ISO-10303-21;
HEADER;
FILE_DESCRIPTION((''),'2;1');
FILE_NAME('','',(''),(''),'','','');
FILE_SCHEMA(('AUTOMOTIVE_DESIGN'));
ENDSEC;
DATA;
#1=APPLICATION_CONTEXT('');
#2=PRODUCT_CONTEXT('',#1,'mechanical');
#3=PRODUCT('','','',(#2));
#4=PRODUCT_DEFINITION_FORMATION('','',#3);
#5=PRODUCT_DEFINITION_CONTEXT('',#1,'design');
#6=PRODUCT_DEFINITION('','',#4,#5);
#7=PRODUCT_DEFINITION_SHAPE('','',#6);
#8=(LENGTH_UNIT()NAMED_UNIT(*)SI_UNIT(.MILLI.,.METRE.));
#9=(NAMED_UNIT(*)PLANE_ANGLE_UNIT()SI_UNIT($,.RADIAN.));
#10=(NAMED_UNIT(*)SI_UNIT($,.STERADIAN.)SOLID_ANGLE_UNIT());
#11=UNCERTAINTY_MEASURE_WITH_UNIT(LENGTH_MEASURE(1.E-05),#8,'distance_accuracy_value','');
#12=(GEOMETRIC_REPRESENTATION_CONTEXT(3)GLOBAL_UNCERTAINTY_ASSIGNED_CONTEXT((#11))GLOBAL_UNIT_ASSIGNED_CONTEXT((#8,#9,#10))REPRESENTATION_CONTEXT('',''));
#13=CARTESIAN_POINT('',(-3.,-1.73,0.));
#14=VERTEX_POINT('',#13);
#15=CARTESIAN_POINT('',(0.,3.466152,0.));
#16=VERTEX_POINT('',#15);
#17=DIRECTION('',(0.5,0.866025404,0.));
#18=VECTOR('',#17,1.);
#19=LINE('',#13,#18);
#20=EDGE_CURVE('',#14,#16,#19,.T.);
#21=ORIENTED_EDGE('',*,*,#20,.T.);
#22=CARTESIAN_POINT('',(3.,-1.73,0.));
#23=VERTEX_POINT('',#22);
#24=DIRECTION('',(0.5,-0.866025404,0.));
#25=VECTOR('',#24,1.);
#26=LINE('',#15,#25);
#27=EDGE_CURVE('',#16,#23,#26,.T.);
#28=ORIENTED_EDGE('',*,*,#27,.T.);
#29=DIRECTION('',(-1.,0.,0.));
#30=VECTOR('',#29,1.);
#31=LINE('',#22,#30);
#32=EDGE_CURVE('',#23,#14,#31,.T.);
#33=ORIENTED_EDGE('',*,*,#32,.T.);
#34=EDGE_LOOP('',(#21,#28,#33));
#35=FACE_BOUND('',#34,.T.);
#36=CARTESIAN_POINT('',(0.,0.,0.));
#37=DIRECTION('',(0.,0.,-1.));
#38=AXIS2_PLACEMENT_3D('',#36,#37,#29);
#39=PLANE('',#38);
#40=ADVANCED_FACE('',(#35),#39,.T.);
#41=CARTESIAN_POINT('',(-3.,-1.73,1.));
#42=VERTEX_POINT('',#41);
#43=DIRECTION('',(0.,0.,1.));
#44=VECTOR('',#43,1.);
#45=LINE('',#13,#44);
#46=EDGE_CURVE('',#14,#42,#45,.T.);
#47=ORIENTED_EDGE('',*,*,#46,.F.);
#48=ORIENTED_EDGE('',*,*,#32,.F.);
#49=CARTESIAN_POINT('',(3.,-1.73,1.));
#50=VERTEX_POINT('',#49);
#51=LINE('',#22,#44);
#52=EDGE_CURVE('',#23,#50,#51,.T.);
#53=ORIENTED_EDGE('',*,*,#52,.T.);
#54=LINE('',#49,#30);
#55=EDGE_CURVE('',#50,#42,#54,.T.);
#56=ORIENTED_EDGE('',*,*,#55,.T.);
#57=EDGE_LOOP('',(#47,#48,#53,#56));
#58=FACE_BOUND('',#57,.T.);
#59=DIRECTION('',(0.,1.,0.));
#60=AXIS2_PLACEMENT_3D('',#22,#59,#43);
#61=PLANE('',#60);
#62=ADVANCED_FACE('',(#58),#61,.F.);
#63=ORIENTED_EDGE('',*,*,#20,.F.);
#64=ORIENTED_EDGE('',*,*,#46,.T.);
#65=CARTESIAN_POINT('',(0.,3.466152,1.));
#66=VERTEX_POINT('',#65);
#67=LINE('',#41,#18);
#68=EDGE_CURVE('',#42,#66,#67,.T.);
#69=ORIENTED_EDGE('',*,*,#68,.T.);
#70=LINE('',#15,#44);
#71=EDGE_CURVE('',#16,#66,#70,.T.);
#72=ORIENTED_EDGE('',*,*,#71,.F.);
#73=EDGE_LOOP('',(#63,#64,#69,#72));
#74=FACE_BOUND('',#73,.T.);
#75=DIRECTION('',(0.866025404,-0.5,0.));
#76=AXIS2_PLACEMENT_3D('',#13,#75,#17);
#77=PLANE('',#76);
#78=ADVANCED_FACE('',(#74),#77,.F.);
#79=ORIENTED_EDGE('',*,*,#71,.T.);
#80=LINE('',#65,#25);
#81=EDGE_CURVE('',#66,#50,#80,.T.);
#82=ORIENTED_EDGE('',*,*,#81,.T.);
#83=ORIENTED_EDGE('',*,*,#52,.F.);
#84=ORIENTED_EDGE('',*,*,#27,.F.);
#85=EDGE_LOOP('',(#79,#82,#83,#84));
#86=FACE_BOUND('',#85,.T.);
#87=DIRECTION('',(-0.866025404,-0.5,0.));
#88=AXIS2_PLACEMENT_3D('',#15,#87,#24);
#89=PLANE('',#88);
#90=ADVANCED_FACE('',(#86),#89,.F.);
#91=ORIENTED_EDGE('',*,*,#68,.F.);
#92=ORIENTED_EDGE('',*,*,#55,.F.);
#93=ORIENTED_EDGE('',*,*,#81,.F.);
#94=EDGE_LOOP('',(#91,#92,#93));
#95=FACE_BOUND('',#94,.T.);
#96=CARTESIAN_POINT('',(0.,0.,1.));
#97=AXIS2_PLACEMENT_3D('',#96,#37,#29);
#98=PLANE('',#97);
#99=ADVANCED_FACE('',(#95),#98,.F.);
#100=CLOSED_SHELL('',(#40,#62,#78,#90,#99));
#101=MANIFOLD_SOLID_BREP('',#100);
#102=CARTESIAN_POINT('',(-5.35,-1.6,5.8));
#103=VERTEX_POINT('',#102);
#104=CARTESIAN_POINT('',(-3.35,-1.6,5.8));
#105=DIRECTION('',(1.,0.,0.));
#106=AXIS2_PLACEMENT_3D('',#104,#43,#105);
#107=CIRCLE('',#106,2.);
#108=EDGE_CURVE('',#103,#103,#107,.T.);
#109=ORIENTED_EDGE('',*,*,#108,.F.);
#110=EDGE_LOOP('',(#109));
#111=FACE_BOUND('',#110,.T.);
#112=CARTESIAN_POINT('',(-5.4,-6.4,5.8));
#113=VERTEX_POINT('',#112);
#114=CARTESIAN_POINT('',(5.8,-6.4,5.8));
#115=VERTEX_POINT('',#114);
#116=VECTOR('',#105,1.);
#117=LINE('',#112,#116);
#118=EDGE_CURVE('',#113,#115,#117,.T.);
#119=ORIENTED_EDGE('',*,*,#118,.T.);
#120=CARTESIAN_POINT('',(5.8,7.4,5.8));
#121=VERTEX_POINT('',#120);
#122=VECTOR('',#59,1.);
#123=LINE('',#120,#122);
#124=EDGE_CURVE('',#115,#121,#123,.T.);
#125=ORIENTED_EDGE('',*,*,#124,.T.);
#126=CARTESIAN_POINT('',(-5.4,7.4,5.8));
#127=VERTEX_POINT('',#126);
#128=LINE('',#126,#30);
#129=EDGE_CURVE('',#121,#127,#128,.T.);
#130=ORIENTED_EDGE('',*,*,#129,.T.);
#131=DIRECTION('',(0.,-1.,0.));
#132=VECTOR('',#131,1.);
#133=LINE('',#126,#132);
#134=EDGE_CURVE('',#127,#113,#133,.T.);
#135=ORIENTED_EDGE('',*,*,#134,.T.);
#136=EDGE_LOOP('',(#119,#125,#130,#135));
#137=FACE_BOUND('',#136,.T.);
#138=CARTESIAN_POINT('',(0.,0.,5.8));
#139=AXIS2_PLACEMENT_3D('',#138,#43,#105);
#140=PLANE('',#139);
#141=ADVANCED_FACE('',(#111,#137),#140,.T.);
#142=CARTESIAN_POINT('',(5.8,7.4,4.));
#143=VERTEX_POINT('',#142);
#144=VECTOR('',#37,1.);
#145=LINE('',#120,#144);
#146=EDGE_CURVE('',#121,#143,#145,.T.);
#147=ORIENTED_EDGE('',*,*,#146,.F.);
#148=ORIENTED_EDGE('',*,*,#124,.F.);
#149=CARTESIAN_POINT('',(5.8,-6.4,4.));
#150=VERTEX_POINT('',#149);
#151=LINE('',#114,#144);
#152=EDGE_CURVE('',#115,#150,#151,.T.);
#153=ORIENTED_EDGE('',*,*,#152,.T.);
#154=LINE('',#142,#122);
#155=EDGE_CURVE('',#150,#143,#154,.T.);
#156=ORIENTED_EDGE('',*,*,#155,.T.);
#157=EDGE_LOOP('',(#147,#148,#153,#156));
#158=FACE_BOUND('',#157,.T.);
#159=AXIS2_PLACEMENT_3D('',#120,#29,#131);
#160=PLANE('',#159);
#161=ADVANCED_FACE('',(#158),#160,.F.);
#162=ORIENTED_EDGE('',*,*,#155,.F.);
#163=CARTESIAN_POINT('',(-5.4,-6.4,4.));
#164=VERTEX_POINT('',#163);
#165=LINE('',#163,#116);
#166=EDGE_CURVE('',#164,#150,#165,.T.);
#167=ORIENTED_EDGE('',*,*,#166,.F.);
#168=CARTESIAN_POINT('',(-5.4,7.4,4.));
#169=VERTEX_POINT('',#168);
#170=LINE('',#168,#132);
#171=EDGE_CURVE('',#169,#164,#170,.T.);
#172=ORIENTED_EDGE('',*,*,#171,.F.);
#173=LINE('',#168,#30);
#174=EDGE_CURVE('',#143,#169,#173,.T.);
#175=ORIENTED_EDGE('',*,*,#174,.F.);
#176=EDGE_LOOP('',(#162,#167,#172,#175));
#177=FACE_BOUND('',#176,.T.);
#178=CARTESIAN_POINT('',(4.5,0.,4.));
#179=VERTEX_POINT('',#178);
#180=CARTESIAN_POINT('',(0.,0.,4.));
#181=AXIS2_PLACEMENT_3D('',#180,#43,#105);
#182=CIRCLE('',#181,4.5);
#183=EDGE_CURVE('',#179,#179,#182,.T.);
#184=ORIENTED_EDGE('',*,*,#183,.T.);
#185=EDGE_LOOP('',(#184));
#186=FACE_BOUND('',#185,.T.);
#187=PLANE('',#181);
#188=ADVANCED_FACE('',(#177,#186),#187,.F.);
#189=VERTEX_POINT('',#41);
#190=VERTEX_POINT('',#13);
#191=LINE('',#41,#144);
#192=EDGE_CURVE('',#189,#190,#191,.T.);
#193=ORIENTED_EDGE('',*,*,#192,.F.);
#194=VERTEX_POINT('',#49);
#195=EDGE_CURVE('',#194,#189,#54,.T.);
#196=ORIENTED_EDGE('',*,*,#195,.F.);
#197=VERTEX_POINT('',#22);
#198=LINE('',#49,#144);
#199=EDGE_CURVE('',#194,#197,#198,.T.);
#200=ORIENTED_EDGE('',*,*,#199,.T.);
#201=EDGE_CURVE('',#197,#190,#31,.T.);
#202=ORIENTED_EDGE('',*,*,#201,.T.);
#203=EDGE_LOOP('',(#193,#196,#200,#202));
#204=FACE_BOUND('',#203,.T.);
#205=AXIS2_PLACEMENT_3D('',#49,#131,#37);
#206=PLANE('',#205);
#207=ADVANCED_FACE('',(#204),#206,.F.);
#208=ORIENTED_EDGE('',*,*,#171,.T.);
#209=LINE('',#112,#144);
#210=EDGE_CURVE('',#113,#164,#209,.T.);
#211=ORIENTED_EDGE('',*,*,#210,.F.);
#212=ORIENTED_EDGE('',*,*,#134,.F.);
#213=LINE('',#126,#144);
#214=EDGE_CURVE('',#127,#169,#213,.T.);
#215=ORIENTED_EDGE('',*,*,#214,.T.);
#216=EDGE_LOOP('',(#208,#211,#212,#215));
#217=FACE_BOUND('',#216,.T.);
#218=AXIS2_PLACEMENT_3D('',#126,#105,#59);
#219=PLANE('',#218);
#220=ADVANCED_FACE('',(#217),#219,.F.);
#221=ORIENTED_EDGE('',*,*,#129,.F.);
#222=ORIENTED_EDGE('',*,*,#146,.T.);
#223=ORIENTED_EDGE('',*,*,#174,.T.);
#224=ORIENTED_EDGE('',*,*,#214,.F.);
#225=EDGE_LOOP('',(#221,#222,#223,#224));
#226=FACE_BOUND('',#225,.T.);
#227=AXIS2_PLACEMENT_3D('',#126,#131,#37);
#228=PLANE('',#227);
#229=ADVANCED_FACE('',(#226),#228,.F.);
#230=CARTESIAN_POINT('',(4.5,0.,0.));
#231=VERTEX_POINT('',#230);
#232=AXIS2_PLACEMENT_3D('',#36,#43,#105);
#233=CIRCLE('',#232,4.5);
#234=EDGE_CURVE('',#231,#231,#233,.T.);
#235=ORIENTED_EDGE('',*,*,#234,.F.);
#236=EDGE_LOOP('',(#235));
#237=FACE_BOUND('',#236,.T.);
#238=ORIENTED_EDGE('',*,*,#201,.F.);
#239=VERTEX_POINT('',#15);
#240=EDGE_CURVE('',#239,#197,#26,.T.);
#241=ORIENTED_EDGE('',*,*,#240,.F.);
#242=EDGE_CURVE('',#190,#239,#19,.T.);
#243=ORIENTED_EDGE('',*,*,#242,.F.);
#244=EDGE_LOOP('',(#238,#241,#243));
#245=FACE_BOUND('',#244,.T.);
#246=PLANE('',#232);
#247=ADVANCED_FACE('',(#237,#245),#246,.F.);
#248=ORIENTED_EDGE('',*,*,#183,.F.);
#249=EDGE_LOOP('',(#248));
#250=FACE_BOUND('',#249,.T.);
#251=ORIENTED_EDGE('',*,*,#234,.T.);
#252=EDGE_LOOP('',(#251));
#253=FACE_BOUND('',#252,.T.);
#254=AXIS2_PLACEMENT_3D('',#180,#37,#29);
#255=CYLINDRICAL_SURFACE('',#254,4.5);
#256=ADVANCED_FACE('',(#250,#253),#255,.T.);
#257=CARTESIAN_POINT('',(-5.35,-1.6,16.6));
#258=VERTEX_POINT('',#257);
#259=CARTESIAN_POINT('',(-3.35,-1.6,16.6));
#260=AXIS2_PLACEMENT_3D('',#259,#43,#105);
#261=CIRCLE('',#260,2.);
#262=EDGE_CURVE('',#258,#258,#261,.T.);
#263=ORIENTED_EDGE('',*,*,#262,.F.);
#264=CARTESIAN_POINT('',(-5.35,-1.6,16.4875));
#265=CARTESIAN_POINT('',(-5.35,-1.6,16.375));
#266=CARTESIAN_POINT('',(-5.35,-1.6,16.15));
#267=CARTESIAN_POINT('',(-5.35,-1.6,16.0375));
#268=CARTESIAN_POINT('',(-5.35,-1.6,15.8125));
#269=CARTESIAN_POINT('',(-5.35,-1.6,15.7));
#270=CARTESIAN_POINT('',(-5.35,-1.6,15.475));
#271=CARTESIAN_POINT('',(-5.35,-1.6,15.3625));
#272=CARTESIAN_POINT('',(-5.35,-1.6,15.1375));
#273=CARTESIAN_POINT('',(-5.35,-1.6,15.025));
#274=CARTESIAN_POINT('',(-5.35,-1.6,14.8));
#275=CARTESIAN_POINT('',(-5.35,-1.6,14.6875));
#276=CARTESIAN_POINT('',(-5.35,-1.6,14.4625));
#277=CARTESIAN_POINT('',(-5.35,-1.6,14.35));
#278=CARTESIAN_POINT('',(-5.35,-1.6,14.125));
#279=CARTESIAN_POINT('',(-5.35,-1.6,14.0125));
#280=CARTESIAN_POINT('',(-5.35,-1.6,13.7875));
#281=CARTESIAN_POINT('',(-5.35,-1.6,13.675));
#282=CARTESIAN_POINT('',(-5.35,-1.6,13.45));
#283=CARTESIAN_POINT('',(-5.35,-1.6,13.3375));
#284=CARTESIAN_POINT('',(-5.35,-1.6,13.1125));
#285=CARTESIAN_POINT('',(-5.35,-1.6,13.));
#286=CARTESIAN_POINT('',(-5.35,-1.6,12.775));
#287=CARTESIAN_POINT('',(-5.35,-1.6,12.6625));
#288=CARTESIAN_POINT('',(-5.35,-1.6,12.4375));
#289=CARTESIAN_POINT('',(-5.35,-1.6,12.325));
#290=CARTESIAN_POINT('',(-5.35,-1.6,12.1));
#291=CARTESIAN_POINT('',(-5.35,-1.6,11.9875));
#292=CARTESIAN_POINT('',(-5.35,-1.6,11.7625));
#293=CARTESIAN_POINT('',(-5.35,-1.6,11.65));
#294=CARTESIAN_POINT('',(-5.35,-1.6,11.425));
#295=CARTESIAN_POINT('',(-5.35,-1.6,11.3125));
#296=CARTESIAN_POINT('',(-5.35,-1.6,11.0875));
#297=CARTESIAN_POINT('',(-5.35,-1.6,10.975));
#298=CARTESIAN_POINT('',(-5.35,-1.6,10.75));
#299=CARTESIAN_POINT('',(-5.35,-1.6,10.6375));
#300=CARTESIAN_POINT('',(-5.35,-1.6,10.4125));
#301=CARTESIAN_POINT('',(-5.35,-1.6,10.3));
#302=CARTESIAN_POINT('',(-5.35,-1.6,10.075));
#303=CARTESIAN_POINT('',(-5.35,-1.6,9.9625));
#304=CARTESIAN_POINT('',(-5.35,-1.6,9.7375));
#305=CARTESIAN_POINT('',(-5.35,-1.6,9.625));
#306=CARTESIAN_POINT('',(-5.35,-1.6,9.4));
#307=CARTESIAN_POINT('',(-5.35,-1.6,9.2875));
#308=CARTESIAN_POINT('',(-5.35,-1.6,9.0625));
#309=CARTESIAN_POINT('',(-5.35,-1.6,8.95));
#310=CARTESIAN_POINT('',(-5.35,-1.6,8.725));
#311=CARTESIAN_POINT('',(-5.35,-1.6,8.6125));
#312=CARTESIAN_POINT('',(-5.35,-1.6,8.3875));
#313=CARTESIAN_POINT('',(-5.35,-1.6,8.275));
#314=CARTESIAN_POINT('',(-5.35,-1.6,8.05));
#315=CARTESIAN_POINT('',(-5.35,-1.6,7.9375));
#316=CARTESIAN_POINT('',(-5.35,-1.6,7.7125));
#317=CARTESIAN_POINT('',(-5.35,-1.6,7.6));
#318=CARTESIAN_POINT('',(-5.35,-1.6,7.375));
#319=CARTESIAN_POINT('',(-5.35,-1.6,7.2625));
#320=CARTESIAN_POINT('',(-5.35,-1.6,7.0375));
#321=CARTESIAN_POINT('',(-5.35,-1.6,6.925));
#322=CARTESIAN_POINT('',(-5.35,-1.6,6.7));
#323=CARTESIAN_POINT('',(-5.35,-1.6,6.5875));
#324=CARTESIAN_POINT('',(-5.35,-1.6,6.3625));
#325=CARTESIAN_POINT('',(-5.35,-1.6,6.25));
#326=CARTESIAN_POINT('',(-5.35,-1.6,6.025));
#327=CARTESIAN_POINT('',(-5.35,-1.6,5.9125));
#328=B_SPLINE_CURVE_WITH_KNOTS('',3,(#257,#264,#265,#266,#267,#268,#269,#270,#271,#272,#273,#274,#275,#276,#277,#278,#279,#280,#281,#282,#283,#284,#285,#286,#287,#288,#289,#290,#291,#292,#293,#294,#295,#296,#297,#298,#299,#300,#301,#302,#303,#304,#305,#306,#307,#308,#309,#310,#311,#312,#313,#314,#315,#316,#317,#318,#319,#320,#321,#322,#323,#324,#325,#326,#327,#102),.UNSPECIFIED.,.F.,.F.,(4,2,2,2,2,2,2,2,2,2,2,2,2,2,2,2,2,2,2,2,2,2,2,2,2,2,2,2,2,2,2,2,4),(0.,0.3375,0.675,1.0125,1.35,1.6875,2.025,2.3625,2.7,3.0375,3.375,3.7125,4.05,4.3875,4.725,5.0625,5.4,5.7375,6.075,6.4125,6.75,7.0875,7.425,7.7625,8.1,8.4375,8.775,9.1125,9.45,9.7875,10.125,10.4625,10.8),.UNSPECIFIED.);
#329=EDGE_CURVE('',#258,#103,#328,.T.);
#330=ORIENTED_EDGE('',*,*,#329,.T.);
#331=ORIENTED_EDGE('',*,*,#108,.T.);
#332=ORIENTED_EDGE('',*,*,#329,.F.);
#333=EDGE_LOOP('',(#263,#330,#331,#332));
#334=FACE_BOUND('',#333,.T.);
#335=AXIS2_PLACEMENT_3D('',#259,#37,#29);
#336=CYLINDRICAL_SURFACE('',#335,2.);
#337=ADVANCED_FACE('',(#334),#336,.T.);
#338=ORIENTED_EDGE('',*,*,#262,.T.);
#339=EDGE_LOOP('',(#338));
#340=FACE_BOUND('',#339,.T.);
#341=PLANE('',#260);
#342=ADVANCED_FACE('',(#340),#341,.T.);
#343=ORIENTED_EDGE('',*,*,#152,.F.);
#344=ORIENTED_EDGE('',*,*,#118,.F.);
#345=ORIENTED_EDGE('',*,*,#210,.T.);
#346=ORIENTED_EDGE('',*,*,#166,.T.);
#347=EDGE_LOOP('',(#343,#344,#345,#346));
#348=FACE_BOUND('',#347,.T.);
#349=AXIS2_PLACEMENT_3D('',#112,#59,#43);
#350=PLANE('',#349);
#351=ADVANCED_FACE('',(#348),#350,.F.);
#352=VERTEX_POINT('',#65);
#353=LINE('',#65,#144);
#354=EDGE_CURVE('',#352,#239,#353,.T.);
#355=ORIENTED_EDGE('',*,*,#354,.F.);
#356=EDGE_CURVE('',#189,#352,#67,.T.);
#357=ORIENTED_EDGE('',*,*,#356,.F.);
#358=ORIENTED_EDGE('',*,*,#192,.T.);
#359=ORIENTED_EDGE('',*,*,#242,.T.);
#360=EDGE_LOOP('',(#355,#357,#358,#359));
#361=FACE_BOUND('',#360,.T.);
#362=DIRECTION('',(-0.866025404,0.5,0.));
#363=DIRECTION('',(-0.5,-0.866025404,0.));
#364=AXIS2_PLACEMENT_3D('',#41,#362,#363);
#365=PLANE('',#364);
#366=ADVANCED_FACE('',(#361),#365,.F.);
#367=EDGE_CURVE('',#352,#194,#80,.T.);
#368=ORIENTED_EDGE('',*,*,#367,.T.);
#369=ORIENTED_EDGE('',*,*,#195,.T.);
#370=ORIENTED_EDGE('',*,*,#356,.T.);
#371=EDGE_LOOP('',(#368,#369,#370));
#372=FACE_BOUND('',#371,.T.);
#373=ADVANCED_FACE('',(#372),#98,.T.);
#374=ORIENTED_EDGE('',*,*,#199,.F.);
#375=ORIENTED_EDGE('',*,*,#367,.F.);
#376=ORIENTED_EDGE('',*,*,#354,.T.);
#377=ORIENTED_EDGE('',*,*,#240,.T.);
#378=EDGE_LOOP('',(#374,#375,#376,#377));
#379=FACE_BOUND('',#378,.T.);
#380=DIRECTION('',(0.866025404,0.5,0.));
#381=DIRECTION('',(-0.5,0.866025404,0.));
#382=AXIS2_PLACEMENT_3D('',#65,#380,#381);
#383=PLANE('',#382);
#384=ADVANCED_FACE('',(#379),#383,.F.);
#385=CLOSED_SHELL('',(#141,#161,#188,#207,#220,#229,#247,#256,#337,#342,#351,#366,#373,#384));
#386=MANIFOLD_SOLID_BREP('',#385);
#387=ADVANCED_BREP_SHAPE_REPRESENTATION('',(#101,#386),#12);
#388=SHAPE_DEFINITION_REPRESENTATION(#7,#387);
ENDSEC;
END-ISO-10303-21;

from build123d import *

# Parameters (mm, degrees)
SKETCH_1_R          = 4.5
EXTRUDE_1_DEPTH     = 4
SKETCH_2_W          = 11.2
SKETCH_2_H          = 13.8
EXTRUDE_2_DEPTH     = 1.8
CUT_EXTRUDE_1_DEPTH = 1
BLACK_DEPTH         = 1
SKETCH_4_R          = 2
EXTRUDE_3_DEPTH     = 10.8


with BuildPart() as part:
    # Эскиз1 → Бобышка-Вытянуть1 (new body)
    with BuildSketch(Plane.XY):
        Circle(SKETCH_1_R)
    extrude(amount=EXTRUDE_1_DEPTH)

    # Эскиз2 → Бобышка-Вытянуть2 (add)
    with BuildSketch(Plane.XY.offset(4)):
        with Locations((0.2, 0.5)):
            Rectangle(SKETCH_2_W, SKETCH_2_H)
    extrude(amount=EXTRUDE_2_DEPTH)

    # Эскиз3 → Вырез-Вытянуть1 (cut)
    with BuildSketch(Plane(origin=(0, 0, 0), x_dir=(-1, 0, 0), z_dir=(0, 0, -1))):
        Polygon((-3, -1.73), (3, -1.73), (0, 3.466152423), align=None)
    extrude(amount=-CUT_EXTRUDE_1_DEPTH, mode=Mode.SUBTRACT)

    # Эскиз4 → Бобышка-Вытянуть3 (add)
    with BuildSketch(Plane.XY.offset(5.8)):
        with Locations((-3.35, -1.6)):
            Circle(SKETCH_4_R)
    extrude(amount=EXTRUDE_3_DEPTH)


with BuildPart() as body_2:
    # Эскиз5 → black (new body)
    with BuildSketch(Plane(origin=(0, 0, 1), x_dir=(-1, 0, 0), z_dir=(0, 0, -1))):
        Polygon((0, 3.466152423), (-3, -1.73), (3, -1.73), align=None)
    extrude(amount=BLACK_DEPTH)


solid = Compound([part.part, body_2.part])
